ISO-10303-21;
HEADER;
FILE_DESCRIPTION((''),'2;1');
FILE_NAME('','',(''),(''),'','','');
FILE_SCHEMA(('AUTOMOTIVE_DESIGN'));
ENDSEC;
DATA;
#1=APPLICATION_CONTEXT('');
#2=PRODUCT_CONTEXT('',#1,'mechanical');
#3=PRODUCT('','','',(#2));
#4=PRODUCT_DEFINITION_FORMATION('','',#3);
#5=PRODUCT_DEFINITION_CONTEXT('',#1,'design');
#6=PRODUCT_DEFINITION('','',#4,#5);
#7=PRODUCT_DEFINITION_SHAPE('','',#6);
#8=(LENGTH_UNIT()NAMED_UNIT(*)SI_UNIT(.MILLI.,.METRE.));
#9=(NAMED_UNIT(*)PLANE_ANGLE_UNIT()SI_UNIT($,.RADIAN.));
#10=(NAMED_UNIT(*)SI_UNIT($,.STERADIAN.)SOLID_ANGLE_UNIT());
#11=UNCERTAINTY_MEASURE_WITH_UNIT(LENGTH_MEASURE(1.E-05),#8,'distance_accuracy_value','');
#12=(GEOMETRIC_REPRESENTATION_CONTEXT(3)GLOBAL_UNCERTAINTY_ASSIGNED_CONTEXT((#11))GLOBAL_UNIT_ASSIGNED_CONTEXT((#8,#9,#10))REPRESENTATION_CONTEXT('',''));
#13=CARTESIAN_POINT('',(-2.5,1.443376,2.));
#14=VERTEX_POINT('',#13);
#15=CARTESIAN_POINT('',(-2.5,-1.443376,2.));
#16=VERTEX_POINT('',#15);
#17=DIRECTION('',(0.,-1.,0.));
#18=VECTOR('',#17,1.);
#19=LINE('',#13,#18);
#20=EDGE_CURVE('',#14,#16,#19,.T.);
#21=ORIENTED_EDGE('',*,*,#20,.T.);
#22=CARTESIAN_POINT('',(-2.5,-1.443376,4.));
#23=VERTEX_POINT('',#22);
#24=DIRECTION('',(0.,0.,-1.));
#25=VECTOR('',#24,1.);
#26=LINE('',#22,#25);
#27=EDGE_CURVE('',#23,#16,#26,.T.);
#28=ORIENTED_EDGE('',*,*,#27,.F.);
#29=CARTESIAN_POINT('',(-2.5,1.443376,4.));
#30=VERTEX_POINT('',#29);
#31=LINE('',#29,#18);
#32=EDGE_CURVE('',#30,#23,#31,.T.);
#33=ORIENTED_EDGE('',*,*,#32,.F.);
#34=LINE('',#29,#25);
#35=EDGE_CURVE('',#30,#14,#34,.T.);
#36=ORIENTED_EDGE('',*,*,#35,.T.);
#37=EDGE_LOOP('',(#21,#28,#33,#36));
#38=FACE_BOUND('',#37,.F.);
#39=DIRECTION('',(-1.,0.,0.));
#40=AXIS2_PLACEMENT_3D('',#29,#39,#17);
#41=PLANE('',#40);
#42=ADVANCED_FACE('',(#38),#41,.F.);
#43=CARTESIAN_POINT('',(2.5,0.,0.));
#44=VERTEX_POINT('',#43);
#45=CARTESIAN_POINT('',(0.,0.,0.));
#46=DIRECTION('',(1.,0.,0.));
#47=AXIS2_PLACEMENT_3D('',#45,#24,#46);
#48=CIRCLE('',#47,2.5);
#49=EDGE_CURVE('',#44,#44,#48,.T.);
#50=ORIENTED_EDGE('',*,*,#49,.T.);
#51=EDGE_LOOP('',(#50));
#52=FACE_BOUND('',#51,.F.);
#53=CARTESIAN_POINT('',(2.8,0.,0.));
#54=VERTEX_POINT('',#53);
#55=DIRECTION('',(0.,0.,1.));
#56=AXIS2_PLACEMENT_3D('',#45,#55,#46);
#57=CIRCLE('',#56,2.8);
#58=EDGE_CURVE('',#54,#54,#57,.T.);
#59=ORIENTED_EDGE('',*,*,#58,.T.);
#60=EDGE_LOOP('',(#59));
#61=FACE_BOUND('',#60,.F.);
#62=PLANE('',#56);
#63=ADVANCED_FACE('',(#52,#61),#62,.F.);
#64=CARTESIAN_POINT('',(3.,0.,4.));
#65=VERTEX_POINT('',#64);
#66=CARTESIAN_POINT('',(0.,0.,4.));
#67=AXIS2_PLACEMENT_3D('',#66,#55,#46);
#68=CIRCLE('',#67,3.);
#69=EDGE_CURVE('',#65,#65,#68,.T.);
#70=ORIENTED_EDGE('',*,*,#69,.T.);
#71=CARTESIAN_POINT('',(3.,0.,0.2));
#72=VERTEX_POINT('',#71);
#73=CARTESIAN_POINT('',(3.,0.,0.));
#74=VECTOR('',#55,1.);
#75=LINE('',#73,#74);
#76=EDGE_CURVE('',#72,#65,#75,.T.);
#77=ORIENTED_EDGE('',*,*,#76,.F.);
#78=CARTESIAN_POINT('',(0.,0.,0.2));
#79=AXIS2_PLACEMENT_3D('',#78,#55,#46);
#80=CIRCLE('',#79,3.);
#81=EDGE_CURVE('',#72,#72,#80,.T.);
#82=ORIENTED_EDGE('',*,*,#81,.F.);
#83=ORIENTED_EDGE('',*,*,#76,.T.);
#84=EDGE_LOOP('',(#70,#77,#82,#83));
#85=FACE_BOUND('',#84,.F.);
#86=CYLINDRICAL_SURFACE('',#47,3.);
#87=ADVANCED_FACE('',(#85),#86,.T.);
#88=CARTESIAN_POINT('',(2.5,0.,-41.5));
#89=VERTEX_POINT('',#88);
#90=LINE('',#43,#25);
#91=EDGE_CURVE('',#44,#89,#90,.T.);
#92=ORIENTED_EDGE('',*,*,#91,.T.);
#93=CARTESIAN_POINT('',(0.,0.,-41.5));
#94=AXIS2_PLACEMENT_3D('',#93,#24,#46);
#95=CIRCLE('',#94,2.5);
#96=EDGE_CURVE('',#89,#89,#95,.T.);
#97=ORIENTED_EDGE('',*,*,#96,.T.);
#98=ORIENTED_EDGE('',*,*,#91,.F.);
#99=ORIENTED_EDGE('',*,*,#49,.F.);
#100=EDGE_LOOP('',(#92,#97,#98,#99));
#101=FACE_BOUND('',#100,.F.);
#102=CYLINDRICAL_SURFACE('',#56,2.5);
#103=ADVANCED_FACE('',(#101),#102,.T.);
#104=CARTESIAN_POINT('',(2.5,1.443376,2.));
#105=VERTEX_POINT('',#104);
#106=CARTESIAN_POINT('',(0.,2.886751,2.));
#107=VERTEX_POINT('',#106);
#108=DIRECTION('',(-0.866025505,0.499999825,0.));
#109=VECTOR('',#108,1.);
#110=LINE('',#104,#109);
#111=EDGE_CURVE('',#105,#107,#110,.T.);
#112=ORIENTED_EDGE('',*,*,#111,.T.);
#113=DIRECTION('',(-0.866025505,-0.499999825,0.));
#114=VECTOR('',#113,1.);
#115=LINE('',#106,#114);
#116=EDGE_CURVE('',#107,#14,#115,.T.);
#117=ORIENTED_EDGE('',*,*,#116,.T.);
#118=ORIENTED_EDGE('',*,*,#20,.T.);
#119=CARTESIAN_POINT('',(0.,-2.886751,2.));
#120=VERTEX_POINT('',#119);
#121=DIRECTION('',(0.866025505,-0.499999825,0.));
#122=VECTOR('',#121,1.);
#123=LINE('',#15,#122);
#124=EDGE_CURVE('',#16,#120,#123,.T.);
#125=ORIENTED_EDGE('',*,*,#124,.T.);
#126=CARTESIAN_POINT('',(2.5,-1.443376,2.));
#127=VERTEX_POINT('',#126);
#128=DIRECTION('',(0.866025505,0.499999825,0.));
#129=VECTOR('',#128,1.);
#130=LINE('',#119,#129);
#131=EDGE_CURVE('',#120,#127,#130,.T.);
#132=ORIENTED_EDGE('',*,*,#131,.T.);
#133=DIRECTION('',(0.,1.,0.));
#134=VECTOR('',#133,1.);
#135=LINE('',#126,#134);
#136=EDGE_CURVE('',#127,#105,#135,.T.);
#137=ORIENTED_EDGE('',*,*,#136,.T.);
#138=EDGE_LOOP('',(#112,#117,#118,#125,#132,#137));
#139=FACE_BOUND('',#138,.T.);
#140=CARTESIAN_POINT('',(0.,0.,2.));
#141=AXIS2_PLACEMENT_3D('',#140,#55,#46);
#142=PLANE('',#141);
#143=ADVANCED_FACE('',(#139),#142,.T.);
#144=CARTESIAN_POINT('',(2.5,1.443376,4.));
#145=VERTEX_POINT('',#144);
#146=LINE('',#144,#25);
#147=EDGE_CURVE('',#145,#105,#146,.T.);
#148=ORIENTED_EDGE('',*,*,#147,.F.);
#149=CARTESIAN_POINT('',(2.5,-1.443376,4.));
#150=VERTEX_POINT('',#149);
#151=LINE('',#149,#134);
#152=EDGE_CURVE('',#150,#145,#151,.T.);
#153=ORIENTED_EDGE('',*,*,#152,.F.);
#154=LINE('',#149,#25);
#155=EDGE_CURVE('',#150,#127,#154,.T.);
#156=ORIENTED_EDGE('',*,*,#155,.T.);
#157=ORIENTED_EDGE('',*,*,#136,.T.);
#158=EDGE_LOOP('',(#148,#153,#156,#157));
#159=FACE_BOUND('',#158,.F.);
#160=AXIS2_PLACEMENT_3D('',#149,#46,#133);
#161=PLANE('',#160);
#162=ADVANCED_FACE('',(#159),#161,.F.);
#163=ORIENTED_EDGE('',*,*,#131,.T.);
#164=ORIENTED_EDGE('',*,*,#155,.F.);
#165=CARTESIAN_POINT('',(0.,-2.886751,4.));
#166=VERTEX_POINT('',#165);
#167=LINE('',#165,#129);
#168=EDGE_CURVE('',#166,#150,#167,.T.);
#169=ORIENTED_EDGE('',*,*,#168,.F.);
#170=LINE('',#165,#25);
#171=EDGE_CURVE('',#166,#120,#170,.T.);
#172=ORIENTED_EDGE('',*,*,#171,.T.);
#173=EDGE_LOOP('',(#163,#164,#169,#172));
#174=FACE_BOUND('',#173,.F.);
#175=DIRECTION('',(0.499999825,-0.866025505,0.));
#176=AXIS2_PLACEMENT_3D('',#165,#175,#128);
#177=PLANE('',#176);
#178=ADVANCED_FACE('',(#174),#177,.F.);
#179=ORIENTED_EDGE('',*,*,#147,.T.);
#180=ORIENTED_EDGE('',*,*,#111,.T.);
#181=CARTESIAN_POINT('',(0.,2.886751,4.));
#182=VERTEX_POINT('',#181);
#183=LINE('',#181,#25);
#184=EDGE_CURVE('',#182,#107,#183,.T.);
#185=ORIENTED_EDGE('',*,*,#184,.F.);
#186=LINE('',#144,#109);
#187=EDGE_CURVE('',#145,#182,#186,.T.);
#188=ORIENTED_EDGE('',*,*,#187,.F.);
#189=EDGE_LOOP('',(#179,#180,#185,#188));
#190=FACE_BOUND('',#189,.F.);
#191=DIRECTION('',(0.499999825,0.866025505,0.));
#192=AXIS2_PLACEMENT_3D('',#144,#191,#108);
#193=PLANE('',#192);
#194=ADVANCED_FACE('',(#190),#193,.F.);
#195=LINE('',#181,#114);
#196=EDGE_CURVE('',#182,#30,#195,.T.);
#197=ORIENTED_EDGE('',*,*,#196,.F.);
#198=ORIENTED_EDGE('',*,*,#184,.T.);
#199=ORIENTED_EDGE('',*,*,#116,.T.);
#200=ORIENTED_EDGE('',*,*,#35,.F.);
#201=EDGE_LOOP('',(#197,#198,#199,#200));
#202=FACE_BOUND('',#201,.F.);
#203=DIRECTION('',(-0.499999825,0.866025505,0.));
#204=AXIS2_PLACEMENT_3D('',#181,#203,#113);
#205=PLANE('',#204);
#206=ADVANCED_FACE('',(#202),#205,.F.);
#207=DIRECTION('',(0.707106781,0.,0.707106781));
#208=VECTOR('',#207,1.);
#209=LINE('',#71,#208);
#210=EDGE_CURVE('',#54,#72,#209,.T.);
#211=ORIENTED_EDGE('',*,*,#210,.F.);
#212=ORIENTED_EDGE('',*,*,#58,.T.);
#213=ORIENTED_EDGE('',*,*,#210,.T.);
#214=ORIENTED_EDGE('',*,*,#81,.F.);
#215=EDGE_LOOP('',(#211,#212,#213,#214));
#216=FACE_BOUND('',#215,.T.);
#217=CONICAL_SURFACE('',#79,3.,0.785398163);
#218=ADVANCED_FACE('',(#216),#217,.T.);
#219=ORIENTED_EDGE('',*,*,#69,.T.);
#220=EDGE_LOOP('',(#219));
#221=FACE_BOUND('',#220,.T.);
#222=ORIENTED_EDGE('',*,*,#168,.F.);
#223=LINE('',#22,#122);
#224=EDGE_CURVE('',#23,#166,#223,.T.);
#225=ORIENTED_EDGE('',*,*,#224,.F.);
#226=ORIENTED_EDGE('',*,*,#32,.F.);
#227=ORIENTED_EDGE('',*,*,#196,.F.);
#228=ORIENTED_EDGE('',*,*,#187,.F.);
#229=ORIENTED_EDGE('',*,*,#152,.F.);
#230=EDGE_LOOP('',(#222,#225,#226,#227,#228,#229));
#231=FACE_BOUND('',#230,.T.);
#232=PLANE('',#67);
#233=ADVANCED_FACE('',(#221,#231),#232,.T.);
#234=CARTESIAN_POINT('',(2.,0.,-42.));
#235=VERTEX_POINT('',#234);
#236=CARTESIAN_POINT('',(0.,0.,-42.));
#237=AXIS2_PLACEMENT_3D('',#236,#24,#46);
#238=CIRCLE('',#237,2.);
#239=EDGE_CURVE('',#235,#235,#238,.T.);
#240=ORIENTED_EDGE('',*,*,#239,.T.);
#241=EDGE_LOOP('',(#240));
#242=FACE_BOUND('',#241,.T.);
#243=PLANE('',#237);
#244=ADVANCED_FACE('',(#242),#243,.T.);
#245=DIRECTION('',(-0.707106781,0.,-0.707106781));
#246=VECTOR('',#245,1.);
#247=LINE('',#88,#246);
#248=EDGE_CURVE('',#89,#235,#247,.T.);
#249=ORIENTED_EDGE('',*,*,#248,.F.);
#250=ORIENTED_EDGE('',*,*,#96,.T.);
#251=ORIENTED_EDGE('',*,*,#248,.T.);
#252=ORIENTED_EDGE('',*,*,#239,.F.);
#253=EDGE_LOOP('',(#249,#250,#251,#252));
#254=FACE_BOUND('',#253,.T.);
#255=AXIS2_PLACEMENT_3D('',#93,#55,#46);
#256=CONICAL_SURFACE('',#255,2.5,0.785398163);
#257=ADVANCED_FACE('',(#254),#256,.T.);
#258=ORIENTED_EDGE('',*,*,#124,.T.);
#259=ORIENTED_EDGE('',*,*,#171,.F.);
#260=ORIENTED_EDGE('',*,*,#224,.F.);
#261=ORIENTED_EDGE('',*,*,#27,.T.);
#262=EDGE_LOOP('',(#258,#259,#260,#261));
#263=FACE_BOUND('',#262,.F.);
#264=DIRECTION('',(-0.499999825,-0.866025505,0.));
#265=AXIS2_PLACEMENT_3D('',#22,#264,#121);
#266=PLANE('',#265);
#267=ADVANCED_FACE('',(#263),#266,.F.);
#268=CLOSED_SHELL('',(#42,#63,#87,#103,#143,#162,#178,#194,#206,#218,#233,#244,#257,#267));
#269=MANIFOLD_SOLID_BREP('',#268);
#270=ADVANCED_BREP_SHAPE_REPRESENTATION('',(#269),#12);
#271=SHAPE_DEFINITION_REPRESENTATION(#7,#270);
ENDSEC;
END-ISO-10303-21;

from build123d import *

# Parameters (mm, degrees)
F0_R     = 3
F1_DEPTH = 4
F3_DEPTH = 2
F4_R     = 2.5
F5_DEPTH = 42
F6_SIZE  = 0.5
F7_SIZE  = 0.2


with BuildPart() as f1:
    # F0 (on Top) → F1 (new body)
    with BuildSketch(Plane.XY):
        Circle(F0_R)
    extrude(amount=F1_DEPTH)

    # F2 (on face) → F3 (cut)
    with BuildSketch(Plane.XY.offset(4)):
        Polygon((2.5, -1.443376), (2.5, 1.443376), (0, 2.886751), (-2.5, 1.443376), (-2.5, -1.443376), (0, -2.886751), align=None)
    extrude(amount=-F3_DEPTH, mode=Mode.SUBTRACT)

    # F4 (on face) → F5 (join)
    with BuildSketch(Plane(origin=(0, 0, 0), x_dir=(1, 0, 0), z_dir=(0, 0, -1))):
        Circle(F4_R)
    extrude(amount=F5_DEPTH)

    # F6
    f6_edges = [f1.edges().sort_by_distance(p)[0] for p in [
        (-2.5, 0, -42),
    ]]
    chamfer(f6_edges, length=F6_SIZE)

    # F7
    f7_edges = [f1.edges().sort_by_distance(p)[0] for p in [
        (-3, 0, 0),
    ]]
    chamfer(f7_edges, length=F7_SIZE)


solid = f1.part
